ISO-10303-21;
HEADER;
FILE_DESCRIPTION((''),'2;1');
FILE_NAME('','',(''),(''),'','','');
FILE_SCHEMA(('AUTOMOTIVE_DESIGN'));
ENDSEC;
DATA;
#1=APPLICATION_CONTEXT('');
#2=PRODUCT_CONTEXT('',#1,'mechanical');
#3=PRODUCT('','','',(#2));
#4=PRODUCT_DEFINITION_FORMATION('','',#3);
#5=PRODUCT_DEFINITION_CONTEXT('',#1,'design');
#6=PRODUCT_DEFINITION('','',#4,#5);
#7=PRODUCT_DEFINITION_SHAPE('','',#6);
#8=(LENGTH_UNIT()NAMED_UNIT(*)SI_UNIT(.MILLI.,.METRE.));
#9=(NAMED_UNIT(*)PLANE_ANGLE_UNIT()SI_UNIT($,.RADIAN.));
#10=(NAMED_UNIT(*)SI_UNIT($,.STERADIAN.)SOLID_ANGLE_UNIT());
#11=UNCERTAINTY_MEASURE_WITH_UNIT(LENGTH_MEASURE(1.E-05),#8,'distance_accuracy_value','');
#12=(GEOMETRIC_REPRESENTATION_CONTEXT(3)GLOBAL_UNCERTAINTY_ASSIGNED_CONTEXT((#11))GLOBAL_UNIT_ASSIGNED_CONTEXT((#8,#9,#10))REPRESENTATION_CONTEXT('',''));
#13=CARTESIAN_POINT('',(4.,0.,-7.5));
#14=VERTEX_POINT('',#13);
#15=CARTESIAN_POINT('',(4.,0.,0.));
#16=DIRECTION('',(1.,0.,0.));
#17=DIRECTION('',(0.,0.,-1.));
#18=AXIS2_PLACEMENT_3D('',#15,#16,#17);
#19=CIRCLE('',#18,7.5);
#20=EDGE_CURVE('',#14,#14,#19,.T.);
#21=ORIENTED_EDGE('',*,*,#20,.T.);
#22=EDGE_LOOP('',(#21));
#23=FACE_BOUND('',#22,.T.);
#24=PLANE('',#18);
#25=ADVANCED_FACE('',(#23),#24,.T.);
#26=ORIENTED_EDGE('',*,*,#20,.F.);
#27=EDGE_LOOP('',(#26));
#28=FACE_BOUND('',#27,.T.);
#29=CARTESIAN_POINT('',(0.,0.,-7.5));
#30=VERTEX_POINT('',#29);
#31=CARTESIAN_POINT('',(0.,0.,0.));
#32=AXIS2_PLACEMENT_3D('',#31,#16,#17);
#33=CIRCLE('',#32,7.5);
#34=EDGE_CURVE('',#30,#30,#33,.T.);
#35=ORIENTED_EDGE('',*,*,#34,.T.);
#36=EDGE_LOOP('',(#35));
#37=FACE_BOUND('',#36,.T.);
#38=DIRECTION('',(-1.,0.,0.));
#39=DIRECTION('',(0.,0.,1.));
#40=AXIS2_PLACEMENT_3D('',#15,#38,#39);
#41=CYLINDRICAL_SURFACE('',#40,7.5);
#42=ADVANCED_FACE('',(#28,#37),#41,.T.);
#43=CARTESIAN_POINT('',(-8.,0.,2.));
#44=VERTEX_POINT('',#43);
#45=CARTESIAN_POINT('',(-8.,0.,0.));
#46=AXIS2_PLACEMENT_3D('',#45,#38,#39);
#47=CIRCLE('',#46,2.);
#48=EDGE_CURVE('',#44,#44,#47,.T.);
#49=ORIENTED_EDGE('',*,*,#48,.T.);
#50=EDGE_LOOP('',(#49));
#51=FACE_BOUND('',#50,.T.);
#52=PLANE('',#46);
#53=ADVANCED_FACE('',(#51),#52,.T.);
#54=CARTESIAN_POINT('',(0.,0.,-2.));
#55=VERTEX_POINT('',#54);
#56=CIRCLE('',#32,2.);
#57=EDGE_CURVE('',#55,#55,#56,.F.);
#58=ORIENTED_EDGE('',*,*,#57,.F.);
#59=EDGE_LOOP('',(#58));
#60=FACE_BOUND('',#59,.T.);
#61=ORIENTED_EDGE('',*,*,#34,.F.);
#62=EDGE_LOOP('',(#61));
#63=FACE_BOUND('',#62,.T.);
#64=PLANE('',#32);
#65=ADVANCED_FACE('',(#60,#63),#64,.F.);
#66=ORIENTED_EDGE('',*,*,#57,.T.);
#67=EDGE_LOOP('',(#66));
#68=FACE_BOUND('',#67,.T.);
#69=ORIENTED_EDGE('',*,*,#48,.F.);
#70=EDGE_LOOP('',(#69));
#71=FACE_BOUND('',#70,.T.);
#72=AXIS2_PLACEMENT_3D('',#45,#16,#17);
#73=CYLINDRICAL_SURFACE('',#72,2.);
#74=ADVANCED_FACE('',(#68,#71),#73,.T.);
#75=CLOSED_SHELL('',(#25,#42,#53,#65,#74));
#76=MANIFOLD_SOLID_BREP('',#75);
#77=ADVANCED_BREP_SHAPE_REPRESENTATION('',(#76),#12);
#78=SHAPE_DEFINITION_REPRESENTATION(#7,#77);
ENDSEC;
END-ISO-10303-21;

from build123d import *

# Parameters (mm, degrees)
SKETCH1_R           = 7.5
BOSS_EXTRUDE1_DEPTH = 4
SKETCH2_R           = 2
BOSS_EXTRUDE3_DEPTH = 8


with BuildPart() as part:
    # Sketch1 → Boss-Extrude1 (new body)
    with BuildSketch(Plane(origin=(0, 0, 0), x_dir=(0, 0, -1), z_dir=(1, 0, 0))):
        Circle(SKETCH1_R)
    extrude(amount=BOSS_EXTRUDE1_DEPTH)

    # Sketch2 → Boss-Extrude3 (add)
    with BuildSketch(Plane.ZY):
        Circle(SKETCH2_R)
    extrude(amount=BOSS_EXTRUDE3_DEPTH)


solid = part.part
